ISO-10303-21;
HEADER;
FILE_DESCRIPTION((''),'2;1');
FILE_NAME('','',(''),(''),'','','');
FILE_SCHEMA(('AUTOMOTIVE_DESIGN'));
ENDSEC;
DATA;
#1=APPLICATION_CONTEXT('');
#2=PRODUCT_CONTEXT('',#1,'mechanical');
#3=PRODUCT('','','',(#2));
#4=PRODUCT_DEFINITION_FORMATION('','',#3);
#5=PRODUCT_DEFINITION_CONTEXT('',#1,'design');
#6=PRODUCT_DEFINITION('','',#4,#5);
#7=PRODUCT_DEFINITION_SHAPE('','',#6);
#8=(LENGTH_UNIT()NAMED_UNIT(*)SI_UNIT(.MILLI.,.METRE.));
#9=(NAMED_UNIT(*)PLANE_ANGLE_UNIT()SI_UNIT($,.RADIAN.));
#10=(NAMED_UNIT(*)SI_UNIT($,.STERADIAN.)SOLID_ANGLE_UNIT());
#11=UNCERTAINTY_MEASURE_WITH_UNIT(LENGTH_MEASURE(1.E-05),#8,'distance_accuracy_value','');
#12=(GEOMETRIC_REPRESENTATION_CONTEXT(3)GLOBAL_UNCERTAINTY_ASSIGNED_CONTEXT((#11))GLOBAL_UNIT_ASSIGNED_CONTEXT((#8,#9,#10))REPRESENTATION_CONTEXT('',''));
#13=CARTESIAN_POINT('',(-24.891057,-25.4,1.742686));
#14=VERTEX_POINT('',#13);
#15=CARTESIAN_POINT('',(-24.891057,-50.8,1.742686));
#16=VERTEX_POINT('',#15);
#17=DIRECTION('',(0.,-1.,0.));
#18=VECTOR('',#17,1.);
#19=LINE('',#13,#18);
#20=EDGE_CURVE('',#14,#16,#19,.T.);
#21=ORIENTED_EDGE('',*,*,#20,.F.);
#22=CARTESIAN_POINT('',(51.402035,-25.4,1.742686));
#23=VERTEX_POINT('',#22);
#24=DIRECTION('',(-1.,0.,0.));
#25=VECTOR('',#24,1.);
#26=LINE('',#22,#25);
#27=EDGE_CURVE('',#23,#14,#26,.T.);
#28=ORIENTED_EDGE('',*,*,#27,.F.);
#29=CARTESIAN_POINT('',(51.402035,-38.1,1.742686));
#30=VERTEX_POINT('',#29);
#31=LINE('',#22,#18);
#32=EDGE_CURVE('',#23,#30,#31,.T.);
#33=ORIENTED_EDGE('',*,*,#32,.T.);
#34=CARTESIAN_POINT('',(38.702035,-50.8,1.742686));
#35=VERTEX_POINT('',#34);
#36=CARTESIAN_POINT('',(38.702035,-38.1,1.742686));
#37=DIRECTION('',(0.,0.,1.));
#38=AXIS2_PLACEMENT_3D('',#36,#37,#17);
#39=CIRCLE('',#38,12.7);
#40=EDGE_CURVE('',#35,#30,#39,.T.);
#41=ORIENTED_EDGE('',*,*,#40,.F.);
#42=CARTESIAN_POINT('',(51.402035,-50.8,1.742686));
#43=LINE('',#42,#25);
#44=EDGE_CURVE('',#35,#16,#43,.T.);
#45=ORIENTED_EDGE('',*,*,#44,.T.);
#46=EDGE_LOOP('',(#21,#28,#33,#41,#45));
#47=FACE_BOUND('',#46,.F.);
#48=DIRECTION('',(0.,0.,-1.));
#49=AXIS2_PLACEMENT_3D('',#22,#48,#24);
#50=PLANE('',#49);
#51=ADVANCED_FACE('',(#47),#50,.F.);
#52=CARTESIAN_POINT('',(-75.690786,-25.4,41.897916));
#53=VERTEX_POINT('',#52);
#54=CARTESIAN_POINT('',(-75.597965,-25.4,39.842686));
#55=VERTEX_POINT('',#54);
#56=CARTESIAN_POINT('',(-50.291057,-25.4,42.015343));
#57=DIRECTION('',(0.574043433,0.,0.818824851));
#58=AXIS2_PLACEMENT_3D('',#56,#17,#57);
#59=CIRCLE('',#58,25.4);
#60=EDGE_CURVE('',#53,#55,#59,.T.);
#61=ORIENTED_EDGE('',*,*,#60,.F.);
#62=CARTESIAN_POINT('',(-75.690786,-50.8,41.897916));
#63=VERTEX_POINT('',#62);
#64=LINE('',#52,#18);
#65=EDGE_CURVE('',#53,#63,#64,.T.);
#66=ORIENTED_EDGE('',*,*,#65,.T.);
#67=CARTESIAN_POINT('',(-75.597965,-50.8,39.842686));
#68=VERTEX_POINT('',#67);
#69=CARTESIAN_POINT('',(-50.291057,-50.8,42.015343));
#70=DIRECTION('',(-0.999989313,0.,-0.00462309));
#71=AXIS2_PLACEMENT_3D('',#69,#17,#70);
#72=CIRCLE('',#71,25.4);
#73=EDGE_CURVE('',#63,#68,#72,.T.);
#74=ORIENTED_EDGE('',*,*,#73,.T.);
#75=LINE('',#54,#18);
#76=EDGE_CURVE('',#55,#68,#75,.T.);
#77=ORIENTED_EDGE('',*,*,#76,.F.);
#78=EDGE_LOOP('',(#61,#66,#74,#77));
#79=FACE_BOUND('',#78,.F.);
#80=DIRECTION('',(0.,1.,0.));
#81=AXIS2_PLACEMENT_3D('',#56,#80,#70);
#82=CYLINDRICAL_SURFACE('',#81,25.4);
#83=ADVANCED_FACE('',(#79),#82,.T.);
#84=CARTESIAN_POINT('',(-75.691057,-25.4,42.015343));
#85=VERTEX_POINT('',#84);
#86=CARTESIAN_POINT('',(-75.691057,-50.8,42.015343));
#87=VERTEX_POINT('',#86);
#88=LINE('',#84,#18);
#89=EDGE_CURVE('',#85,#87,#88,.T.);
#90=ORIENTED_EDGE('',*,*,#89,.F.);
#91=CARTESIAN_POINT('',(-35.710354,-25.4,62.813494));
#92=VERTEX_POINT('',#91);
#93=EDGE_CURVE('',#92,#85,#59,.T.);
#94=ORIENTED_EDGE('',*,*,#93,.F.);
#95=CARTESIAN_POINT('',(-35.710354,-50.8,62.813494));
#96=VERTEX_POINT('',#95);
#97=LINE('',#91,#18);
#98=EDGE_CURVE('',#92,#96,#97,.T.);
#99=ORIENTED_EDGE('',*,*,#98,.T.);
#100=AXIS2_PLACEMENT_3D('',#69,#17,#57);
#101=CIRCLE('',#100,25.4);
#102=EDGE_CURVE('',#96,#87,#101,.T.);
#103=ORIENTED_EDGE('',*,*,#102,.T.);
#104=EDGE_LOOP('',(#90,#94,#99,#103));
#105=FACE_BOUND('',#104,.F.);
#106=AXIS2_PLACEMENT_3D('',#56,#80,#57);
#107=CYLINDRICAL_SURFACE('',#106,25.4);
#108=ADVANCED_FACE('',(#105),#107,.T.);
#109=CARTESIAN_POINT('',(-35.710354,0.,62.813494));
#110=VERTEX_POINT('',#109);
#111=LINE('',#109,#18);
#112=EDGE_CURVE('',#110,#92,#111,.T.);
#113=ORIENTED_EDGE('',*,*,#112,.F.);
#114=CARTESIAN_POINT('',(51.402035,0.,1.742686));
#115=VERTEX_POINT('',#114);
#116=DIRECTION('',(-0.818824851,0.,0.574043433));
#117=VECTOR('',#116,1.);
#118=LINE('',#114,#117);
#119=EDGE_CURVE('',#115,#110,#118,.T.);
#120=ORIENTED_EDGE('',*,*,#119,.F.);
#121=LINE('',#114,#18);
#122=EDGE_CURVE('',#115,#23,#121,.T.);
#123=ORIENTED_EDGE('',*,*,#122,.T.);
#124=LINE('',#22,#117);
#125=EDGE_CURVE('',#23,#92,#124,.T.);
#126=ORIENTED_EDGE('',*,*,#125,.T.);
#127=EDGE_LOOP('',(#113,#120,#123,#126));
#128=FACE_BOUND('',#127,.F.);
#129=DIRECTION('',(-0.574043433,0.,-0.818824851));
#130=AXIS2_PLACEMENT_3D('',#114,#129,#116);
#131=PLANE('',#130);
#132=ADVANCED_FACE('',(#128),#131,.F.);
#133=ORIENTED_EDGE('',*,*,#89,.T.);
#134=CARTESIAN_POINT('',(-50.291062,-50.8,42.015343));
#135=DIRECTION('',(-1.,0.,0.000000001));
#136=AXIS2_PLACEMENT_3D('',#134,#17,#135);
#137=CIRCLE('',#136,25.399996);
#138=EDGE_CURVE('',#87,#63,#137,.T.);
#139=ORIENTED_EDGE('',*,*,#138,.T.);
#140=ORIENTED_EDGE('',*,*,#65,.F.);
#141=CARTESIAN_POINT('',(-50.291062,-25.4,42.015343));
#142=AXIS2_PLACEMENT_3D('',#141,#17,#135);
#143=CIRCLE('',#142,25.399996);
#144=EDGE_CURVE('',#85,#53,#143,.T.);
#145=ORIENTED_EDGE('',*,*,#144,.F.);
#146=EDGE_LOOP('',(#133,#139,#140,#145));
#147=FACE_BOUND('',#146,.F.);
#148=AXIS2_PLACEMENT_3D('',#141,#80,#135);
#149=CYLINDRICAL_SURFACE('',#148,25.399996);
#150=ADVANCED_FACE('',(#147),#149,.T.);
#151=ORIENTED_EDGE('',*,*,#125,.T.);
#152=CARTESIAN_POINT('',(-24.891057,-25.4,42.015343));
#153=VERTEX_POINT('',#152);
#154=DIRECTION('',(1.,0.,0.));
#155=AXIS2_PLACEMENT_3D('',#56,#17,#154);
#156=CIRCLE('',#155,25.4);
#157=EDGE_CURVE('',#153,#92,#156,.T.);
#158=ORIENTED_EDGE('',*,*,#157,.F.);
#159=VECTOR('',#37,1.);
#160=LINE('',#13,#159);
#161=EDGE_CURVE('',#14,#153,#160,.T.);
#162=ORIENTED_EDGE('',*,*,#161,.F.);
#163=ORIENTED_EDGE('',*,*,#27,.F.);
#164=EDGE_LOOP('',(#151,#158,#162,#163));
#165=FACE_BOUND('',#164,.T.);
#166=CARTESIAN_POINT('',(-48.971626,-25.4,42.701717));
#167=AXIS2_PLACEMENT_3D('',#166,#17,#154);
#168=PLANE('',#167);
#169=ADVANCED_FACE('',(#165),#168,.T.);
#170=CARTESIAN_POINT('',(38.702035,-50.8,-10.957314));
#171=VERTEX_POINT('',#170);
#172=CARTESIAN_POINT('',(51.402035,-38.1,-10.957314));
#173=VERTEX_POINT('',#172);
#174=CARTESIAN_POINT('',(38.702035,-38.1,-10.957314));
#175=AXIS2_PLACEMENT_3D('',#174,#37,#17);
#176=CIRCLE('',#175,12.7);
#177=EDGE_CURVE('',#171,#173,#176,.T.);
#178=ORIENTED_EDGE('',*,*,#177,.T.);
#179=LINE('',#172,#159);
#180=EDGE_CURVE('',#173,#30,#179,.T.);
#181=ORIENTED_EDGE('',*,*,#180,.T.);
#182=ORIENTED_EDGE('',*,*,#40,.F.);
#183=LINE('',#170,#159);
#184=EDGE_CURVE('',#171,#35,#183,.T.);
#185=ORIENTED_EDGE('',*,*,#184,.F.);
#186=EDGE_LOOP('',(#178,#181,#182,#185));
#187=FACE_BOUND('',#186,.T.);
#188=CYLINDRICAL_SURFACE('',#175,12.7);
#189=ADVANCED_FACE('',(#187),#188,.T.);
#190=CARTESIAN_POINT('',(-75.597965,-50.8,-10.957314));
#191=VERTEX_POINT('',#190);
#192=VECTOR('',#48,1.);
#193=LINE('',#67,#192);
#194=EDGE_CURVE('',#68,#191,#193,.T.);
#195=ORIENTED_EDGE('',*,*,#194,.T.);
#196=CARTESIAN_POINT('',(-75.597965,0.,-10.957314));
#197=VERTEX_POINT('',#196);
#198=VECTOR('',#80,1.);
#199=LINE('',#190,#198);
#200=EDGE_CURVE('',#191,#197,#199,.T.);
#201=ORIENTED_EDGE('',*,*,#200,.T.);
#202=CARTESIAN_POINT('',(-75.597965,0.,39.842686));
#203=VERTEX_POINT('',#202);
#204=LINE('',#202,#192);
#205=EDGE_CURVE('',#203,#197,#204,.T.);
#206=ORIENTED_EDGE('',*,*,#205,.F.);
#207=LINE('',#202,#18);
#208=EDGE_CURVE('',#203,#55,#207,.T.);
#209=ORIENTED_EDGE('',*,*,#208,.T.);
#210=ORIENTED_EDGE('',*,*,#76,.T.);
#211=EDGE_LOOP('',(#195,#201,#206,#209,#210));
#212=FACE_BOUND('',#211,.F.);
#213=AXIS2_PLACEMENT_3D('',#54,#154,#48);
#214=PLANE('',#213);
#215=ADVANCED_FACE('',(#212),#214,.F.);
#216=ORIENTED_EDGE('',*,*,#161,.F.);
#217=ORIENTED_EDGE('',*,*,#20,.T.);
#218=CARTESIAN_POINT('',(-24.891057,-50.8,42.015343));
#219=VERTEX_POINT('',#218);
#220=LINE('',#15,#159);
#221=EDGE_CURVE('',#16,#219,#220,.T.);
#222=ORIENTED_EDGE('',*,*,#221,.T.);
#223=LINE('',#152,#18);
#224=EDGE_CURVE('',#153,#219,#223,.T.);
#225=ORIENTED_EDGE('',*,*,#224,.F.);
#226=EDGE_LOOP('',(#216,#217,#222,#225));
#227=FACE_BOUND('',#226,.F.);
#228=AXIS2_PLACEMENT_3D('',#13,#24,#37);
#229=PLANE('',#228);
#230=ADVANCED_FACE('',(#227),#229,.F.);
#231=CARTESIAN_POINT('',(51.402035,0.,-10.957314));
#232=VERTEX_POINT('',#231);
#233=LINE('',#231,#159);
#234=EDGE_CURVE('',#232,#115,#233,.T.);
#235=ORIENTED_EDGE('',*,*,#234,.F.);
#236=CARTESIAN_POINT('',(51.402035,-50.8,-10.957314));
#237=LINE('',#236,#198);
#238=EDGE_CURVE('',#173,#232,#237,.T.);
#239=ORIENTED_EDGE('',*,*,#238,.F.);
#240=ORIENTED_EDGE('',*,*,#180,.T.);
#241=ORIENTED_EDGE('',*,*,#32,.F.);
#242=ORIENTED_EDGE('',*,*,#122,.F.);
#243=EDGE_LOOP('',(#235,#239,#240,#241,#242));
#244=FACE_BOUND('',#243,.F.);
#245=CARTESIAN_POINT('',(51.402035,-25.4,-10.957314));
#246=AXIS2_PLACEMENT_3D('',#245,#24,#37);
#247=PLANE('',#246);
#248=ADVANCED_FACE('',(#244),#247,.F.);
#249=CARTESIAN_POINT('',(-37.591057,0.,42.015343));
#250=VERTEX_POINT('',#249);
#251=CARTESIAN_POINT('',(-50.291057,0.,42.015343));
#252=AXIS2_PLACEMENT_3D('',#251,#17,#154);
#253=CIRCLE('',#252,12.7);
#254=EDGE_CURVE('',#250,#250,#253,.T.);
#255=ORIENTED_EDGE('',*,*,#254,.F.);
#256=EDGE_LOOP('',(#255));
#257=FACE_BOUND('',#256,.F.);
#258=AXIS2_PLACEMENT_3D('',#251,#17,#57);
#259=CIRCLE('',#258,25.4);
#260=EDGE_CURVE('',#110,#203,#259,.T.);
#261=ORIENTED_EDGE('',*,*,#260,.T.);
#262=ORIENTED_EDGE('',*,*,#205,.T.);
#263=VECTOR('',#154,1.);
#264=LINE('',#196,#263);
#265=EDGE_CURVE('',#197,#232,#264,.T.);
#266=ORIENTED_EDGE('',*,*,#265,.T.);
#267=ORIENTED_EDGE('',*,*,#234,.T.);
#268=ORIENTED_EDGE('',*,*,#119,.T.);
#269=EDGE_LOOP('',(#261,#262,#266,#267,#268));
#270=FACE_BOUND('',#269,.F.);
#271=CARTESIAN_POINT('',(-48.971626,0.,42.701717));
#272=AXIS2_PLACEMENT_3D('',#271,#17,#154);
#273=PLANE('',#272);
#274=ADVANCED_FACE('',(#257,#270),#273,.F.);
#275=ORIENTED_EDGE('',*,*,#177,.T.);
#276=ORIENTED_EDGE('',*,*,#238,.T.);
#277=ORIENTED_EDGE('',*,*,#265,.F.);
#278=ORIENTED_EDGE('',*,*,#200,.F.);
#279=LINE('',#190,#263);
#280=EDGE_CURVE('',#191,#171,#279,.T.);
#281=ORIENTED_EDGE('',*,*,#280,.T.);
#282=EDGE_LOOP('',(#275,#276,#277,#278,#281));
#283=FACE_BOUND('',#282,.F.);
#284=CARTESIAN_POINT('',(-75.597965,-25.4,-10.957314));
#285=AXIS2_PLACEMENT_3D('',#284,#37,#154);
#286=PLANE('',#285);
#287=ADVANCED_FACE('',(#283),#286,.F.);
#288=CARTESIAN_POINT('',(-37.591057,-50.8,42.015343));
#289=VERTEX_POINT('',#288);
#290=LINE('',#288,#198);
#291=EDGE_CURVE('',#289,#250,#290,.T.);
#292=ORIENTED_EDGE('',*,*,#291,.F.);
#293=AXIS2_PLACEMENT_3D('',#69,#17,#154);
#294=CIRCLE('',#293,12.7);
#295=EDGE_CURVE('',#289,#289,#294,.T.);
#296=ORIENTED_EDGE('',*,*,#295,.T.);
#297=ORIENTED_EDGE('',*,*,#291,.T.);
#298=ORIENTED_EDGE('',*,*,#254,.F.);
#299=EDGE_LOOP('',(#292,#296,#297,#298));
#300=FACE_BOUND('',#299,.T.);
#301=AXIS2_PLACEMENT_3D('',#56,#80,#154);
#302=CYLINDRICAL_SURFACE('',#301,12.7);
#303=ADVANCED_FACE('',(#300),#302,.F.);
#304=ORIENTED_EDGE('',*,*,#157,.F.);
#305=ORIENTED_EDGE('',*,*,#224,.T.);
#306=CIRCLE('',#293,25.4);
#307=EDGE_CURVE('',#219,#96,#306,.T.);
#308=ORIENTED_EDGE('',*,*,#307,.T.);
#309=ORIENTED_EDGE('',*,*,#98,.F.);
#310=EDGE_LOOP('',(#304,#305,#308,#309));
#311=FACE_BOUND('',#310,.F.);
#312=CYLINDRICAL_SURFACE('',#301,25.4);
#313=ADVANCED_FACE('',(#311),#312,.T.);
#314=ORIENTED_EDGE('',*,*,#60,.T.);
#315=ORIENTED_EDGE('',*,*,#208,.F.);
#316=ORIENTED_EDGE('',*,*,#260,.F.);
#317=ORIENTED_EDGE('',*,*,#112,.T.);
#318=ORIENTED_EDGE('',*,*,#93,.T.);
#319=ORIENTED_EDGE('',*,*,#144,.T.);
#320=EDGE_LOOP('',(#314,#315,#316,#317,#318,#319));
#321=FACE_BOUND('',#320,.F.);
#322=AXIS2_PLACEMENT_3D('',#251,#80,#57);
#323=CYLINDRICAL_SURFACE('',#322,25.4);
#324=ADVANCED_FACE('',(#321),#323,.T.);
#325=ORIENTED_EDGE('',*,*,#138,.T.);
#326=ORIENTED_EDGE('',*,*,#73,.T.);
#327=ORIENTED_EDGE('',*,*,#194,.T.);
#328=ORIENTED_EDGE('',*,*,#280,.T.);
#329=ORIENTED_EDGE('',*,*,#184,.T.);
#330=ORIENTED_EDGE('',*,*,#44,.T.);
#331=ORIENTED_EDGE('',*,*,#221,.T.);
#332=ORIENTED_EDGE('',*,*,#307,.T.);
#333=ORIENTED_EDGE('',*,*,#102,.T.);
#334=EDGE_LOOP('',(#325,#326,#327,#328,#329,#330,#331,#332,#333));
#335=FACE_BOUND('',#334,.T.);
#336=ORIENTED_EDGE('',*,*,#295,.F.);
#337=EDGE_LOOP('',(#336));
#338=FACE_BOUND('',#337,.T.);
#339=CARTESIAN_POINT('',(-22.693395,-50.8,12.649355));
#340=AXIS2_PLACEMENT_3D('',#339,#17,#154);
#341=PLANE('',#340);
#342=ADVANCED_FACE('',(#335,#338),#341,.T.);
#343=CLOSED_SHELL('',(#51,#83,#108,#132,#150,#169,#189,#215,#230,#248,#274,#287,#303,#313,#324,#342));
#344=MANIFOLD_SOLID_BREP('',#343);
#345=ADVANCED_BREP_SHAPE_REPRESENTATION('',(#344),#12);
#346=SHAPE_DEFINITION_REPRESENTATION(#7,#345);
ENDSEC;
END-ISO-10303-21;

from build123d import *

# Parameters (mm, degrees)
F0_R     = 12.7
F1_DEPTH = 25.4
F2_R     = 12.7
F3_DEPTH = 25.4
F4_R     = 12.7


with BuildPart() as f1:
    # F0 (on Front) → F1 (new body)
    with BuildSketch(Plane.XZ):
        with BuildLine():
            ThreePointArc((-75.5979648529, 39.8426862847), (-49.2037324517, 16.6386265616), (-24.8910574185, 42.0153427482))
            ThreePointArc((-24.8910574185, 42.0153427482), (-27.7576393347, 53.737333597), (-35.7103542263, 62.8134939742))
            ThreePointArc((-35.7103542263, 62.8134939742), (-62.9669150163, 64.0263089733), (-75.5979648529, 39.8426862847))
        make_face()
        with Locations((-50.2910574185, 42.0153427482)):
            Circle(F0_R, mode=Mode.SUBTRACT)
        with BuildLine():
            ThreePointArc((-35.7103542263, 62.8134939742), (-27.7576393347, 53.737333597), (-24.8910574185, 42.0153427482))
            ThreePointArc((-24.8910574185, 42.0153427482), (-49.2037324517, 16.6386265616), (-75.5979648529, 39.8426862847))
            Line((-75.5979648529, 39.8426862847), (-75.5979648529, -10.9573137153))
            Line((-75.5979648529, -10.9573137153), (51.4020351471, -10.9573137153))
            Line((51.4020351471, -10.9573137153), (51.4020351471, 1.7426862847))
            Line((51.4020351471, 1.7426862847), (-35.7103542263, 62.8134939742))
        make_face()
    extrude(amount=F1_DEPTH)

    # F2 (on face) → F3 (join)
    with BuildSketch(Plane.XZ.offset(25.4)):
        with BuildLine():
            Line((-24.8910574185, 1.7426862847), (-24.8910574185, 42.0153427482))
            ThreePointArc((-24.8910574185, 42.0153427482), (-27.7576393347, 53.737333597), (-35.7103542263, 62.8134939742))
            ThreePointArc((-35.7103542263, 62.8134939742), (-62.0130482673, 64.548760832), (-75.6910574185, 42.0153427482))
            ThreePointArc((-75.6910574185, 42.0153427482), (-75.6909895589, 41.9566293417), (-75.6907859804, 41.8979162489))
            ThreePointArc((-75.6907859804, 41.8979162489), (-75.6651924002, 40.8693611015), (-75.5979648529, 39.8426862847))
            Line((-75.5979648529, 39.8426862847), (-75.5979648529, 1.7426862847))
            Line((-75.5979648529, 1.7426862847), (-75.5979648529, -10.9573137153))
            Line((-75.5979648529, -10.9573137153), (51.4020351471, -10.9573137153))
            Line((51.4020351471, -10.9573137153), (51.4020351471, 1.7426862847))
            Line((51.4020351471, 1.7426862847), (-24.8910574185, 1.7426862847))
        make_face()
        with Locations((-50.2910574185, 42.0153427482)):
            Circle(F2_R, mode=Mode.SUBTRACT)
    extrude(amount=F3_DEPTH)

    # F4
    f4_edges = [f1.edges().sort_by_distance(p)[0] for p in [
        (51.402035, -50.8, -4.607314),
    ]]
    fillet(f4_edges, radius=F4_R)


solid = f1.part
